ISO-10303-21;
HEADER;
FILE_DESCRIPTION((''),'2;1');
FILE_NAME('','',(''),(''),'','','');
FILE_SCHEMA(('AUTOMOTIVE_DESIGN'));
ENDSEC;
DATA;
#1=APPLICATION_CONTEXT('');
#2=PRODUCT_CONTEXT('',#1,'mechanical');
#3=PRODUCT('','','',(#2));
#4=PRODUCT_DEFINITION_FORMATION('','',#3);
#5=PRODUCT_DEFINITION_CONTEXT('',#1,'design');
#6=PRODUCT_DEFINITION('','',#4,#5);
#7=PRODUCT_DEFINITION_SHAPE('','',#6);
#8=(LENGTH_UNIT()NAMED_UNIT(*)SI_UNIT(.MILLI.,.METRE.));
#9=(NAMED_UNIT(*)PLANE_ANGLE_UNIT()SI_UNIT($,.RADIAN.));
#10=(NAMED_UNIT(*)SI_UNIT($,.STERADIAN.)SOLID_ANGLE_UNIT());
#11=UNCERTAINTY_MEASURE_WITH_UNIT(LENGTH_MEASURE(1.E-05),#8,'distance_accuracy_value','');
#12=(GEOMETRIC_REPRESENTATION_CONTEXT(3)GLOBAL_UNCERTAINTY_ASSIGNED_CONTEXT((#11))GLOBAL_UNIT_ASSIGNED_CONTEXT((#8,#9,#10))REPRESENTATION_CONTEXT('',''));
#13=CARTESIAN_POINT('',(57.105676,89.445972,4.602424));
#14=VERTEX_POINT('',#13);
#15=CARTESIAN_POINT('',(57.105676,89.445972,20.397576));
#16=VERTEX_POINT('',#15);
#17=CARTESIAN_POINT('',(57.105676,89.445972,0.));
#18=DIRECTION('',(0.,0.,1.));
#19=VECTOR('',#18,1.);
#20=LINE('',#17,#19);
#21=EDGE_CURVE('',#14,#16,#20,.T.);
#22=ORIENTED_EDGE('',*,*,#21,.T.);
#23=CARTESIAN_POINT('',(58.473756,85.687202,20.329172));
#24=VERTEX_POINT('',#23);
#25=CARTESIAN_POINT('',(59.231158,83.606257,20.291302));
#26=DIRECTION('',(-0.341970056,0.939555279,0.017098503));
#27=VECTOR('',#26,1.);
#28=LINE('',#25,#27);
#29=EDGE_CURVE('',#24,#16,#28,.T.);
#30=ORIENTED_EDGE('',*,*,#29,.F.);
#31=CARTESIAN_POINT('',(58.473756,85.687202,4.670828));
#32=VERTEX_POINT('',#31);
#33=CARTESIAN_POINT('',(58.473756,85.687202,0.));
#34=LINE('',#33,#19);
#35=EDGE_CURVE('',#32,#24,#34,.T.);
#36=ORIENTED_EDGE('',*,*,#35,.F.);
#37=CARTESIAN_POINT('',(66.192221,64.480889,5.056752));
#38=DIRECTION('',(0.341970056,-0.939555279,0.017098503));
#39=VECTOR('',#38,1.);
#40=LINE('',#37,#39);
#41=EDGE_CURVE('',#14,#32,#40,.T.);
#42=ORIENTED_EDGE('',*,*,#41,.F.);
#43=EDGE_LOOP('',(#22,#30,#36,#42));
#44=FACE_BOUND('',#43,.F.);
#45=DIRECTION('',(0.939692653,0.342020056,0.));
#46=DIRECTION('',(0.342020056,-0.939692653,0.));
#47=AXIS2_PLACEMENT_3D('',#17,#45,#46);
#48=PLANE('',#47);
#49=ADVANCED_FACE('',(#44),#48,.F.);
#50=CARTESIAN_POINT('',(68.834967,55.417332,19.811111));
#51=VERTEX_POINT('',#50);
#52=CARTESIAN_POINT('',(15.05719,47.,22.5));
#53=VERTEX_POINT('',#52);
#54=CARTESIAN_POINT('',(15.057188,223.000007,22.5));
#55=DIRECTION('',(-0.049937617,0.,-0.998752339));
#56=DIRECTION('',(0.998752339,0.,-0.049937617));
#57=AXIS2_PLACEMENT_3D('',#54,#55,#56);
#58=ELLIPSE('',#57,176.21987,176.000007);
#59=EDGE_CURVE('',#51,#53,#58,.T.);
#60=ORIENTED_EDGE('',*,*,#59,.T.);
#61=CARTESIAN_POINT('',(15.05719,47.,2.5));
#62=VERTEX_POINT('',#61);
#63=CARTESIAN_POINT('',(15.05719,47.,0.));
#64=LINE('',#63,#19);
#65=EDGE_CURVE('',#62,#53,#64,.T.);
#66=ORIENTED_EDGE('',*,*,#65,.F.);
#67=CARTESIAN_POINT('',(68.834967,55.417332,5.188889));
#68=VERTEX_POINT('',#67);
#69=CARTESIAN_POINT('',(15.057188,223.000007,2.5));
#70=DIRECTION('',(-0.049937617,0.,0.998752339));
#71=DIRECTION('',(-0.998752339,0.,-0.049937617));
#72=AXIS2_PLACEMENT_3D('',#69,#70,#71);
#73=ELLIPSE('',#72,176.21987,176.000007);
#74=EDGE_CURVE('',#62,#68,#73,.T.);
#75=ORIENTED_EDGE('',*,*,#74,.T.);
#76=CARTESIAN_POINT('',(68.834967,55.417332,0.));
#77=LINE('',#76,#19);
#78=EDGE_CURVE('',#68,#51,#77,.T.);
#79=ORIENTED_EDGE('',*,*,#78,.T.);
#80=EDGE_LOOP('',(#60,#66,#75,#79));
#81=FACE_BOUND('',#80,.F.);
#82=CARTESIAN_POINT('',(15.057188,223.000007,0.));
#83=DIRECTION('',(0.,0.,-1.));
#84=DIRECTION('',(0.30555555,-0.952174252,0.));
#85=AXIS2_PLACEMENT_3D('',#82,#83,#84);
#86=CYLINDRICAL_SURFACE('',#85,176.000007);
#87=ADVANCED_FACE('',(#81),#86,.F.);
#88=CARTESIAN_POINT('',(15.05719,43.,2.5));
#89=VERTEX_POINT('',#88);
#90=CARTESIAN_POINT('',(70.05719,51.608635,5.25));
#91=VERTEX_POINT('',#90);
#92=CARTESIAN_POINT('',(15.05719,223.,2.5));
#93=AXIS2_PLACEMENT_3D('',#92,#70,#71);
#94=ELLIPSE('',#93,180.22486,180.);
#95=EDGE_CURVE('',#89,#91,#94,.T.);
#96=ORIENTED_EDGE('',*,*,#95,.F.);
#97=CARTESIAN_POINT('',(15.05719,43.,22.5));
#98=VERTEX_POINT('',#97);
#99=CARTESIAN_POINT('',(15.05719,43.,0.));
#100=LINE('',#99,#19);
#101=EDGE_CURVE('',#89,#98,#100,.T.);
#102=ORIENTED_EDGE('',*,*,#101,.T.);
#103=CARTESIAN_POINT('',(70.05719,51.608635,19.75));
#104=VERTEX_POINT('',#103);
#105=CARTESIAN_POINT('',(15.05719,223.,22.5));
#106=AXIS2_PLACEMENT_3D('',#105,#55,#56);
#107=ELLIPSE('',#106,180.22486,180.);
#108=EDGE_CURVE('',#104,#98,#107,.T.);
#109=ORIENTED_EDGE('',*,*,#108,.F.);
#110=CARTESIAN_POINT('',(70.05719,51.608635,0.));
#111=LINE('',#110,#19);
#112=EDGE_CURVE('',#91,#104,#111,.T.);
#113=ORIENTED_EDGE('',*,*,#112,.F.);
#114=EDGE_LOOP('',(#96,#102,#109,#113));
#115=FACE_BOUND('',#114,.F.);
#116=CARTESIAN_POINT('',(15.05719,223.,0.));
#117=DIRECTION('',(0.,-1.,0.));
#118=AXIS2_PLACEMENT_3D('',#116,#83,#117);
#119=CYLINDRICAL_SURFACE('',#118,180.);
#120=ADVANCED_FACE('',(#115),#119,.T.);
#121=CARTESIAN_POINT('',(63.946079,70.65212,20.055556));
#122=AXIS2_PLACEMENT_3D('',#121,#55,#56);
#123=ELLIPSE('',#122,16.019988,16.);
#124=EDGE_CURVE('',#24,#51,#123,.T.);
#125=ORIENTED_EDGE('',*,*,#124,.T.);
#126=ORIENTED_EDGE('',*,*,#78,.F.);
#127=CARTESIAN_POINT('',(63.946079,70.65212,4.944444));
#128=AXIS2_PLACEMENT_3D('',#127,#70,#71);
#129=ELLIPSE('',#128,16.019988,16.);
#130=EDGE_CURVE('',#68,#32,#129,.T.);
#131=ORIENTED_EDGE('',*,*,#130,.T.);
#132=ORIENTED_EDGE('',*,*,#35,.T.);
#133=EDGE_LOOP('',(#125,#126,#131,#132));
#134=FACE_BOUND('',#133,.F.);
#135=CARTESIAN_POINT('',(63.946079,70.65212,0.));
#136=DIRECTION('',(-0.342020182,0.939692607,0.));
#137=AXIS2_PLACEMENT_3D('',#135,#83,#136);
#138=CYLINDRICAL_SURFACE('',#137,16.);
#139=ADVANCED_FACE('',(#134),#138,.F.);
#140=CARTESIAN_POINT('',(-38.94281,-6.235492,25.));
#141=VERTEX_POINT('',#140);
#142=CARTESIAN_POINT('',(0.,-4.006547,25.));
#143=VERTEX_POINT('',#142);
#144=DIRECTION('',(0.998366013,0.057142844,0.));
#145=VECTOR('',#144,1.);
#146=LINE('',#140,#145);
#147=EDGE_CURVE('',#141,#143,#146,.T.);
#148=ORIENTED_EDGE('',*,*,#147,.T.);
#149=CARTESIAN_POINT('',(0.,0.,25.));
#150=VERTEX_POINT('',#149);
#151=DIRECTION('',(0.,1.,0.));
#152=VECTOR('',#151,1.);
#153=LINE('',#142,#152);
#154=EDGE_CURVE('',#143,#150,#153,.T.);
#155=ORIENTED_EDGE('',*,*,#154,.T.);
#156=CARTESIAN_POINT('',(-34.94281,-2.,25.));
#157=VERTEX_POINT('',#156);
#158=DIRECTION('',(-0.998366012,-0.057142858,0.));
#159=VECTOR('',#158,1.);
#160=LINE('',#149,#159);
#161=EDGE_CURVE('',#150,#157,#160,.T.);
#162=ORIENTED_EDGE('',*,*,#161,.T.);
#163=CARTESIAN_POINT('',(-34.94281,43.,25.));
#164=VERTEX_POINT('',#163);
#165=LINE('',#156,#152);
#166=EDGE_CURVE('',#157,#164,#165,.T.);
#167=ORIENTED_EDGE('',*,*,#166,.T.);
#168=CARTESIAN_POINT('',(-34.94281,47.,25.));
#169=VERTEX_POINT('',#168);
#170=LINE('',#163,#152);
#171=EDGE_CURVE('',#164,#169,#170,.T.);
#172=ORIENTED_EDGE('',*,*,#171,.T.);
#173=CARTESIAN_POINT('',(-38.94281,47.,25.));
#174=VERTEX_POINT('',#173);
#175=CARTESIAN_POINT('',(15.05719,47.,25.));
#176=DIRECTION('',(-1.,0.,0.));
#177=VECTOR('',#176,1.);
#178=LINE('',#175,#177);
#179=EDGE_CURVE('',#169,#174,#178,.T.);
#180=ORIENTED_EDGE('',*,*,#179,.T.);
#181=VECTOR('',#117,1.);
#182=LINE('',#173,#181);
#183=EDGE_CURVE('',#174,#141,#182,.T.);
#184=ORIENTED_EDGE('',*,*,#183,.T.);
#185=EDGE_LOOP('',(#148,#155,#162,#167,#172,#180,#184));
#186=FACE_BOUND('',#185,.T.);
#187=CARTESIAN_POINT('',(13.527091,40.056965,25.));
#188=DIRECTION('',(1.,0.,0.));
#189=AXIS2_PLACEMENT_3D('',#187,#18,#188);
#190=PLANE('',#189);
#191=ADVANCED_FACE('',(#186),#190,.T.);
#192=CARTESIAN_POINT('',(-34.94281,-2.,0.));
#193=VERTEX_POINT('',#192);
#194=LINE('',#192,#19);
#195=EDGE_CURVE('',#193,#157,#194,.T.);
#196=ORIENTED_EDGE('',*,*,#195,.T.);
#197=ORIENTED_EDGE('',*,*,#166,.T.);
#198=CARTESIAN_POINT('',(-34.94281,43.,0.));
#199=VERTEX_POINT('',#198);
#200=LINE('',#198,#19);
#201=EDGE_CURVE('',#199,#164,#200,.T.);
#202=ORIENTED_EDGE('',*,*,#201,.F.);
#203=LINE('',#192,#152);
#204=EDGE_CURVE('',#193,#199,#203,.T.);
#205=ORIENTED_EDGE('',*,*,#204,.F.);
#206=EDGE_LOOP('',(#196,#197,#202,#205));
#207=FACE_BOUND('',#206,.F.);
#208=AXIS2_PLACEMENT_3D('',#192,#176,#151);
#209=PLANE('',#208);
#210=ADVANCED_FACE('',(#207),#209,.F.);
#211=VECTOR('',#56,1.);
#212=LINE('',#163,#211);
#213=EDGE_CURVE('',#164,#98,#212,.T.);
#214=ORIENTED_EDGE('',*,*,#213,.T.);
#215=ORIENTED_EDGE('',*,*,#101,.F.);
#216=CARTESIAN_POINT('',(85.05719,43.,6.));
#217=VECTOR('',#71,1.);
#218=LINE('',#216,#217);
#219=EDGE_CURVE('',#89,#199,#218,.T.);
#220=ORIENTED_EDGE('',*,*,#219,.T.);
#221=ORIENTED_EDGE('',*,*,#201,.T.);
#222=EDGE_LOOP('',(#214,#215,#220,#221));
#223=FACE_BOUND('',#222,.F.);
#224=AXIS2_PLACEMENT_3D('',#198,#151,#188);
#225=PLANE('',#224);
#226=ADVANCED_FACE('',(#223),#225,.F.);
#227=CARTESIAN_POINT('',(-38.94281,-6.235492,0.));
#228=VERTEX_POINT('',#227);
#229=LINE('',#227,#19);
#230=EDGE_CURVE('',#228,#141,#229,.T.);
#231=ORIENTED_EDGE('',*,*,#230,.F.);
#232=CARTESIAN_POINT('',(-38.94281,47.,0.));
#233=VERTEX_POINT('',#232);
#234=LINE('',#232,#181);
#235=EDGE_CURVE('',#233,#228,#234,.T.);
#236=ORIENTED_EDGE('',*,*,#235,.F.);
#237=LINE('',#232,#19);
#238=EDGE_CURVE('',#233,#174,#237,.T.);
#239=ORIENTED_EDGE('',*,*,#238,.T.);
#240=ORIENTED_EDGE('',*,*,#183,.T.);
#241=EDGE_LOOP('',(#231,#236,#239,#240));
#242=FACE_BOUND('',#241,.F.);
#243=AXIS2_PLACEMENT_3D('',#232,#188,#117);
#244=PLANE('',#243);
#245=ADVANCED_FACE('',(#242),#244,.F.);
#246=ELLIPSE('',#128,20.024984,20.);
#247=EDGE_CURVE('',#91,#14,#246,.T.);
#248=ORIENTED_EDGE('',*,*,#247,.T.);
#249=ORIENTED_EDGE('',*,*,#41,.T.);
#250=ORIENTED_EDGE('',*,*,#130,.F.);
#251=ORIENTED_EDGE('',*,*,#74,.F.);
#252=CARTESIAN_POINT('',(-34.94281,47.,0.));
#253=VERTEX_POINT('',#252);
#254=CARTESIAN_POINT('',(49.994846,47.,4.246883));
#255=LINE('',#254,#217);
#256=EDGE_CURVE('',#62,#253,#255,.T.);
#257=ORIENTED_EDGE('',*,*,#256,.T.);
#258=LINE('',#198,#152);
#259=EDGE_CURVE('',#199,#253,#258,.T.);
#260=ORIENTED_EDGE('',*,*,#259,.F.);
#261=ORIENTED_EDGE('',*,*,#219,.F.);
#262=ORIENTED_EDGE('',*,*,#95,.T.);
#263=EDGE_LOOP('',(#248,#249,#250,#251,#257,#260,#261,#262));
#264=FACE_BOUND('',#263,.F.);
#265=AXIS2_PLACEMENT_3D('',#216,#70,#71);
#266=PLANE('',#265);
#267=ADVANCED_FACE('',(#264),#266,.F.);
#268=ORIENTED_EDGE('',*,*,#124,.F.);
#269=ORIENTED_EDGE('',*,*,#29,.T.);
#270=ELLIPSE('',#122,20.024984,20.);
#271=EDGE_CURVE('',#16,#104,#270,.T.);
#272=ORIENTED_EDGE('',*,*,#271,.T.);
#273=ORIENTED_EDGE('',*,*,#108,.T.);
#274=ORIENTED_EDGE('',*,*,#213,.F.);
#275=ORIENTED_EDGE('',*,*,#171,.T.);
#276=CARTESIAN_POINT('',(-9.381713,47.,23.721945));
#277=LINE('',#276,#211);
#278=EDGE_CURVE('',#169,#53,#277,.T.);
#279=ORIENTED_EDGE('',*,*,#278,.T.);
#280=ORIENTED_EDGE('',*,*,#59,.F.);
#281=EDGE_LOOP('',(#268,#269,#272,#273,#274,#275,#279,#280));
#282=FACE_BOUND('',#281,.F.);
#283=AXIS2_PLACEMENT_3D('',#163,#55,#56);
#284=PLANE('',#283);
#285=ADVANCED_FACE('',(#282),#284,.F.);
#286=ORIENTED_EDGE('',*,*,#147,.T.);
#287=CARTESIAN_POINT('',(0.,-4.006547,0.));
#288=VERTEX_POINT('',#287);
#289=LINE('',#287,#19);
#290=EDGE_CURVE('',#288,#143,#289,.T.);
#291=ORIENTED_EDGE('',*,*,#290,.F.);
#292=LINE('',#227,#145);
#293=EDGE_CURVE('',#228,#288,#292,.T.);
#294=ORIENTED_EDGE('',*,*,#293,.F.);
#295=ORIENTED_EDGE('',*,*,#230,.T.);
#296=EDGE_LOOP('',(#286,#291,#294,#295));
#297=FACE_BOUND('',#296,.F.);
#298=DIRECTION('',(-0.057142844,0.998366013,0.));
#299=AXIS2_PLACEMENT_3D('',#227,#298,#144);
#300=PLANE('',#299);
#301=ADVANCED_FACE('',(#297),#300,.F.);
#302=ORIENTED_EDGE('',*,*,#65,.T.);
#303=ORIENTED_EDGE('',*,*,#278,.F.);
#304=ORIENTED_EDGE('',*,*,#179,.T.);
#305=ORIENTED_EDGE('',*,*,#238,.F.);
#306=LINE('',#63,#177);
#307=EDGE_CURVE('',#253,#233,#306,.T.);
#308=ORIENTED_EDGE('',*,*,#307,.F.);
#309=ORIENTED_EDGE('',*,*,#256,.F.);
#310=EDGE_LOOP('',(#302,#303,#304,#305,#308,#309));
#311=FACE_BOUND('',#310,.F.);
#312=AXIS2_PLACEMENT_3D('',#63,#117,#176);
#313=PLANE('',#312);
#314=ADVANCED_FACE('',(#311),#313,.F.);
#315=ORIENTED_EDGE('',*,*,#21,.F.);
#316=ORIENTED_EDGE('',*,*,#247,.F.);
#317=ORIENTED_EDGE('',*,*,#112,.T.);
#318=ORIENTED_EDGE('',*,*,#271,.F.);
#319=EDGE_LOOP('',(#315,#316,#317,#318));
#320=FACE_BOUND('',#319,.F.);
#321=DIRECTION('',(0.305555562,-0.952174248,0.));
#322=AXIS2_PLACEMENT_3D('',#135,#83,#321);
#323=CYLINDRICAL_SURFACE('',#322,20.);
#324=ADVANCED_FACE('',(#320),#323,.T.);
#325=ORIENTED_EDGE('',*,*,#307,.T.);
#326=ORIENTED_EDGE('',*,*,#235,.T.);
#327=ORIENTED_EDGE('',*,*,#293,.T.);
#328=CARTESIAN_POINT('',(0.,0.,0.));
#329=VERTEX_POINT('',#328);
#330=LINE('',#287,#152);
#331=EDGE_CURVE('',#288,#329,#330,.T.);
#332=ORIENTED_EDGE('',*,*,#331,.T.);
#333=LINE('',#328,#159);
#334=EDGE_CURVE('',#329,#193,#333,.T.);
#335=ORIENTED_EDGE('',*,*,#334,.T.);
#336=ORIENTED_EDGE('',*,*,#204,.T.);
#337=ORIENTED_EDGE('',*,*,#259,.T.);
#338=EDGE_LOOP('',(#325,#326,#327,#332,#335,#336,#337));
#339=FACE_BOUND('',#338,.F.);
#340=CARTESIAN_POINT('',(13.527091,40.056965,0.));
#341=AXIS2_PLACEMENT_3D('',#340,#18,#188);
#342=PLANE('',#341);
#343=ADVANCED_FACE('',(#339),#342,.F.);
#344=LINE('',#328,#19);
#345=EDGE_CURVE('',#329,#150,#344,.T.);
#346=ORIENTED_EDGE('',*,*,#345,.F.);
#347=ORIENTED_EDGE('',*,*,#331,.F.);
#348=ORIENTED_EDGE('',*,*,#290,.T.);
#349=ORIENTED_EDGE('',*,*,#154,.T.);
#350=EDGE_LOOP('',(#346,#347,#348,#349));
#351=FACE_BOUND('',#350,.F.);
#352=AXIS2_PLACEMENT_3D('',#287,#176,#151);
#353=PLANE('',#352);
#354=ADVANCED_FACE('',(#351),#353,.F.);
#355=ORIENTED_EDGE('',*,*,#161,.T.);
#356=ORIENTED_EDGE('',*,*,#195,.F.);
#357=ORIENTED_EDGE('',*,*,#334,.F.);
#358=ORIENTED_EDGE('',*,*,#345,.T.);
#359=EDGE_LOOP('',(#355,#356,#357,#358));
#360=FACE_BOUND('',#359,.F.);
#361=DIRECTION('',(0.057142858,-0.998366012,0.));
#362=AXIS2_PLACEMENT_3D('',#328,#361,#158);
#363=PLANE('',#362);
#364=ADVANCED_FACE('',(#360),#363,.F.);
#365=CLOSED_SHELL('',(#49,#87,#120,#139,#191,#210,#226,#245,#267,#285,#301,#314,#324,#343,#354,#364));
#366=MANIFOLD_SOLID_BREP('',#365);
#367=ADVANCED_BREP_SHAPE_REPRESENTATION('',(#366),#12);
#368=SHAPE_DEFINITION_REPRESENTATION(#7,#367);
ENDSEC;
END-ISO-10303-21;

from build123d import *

# Parameters (mm, degrees)
F1_DEPTH = 25
F3_DEPTH = 47.65312


with BuildPart() as f1:
    # F0 (on Top) → F1 (new body)
    with BuildSketch(Plane.XY):
        with BuildLine():
            Line((0, -4.006547), (0, 0))
            Line((0, 0), (-34.94281, -2))
            Line((-34.94281, -2), (-34.94281, 43))
            Line((-34.94281, 43), (15.05719, 43))
            ThreePointArc((15.05719, 43), (42.892009, 45.165181), (70.05719, 51.608635))
            ThreePointArc((70.05719, 51.608635), (82.868261, 77.12908), (57.105676, 89.445972))
            Line((57.105676, 89.445972), (58.473756, 85.687202))
            ThreePointArc((58.473756, 85.687202), (79.083825, 75.833688), (68.834967, 55.417332))
            ThreePointArc((68.834967, 55.417332), (42.273457, 49.117066), (15.05719, 47))
            Line((15.05719, 47), (-38.94281, 47))
            Line((-38.94281, 47), (-38.94281, -6.235492))
            Line((-38.94281, -6.235492), (0, -4.006547))
        make_face()
    extrude(amount=F1_DEPTH)

    # F2 (on face) → F3 (cut, through all)
    with BuildSketch(Plane.XZ.offset(-43)):
        Polygon((15.05719, 25), (15.05719, 22.5), (85.05719, 19), (85.05719, 25), align=None)
        Polygon((15.05719, 25), (-34.94281, 25), (15.05719, 22.5), align=None)
        Polygon((15.05719, 2.5), (-34.94281, 0), (15.05719, 0), align=None)
        Polygon((85.05719, 6), (15.05719, 2.5), (15.05719, 0), (85.05719, 0), align=None)
    extrude(amount=-F3_DEPTH, mode=Mode.SUBTRACT)


solid = f1.part
